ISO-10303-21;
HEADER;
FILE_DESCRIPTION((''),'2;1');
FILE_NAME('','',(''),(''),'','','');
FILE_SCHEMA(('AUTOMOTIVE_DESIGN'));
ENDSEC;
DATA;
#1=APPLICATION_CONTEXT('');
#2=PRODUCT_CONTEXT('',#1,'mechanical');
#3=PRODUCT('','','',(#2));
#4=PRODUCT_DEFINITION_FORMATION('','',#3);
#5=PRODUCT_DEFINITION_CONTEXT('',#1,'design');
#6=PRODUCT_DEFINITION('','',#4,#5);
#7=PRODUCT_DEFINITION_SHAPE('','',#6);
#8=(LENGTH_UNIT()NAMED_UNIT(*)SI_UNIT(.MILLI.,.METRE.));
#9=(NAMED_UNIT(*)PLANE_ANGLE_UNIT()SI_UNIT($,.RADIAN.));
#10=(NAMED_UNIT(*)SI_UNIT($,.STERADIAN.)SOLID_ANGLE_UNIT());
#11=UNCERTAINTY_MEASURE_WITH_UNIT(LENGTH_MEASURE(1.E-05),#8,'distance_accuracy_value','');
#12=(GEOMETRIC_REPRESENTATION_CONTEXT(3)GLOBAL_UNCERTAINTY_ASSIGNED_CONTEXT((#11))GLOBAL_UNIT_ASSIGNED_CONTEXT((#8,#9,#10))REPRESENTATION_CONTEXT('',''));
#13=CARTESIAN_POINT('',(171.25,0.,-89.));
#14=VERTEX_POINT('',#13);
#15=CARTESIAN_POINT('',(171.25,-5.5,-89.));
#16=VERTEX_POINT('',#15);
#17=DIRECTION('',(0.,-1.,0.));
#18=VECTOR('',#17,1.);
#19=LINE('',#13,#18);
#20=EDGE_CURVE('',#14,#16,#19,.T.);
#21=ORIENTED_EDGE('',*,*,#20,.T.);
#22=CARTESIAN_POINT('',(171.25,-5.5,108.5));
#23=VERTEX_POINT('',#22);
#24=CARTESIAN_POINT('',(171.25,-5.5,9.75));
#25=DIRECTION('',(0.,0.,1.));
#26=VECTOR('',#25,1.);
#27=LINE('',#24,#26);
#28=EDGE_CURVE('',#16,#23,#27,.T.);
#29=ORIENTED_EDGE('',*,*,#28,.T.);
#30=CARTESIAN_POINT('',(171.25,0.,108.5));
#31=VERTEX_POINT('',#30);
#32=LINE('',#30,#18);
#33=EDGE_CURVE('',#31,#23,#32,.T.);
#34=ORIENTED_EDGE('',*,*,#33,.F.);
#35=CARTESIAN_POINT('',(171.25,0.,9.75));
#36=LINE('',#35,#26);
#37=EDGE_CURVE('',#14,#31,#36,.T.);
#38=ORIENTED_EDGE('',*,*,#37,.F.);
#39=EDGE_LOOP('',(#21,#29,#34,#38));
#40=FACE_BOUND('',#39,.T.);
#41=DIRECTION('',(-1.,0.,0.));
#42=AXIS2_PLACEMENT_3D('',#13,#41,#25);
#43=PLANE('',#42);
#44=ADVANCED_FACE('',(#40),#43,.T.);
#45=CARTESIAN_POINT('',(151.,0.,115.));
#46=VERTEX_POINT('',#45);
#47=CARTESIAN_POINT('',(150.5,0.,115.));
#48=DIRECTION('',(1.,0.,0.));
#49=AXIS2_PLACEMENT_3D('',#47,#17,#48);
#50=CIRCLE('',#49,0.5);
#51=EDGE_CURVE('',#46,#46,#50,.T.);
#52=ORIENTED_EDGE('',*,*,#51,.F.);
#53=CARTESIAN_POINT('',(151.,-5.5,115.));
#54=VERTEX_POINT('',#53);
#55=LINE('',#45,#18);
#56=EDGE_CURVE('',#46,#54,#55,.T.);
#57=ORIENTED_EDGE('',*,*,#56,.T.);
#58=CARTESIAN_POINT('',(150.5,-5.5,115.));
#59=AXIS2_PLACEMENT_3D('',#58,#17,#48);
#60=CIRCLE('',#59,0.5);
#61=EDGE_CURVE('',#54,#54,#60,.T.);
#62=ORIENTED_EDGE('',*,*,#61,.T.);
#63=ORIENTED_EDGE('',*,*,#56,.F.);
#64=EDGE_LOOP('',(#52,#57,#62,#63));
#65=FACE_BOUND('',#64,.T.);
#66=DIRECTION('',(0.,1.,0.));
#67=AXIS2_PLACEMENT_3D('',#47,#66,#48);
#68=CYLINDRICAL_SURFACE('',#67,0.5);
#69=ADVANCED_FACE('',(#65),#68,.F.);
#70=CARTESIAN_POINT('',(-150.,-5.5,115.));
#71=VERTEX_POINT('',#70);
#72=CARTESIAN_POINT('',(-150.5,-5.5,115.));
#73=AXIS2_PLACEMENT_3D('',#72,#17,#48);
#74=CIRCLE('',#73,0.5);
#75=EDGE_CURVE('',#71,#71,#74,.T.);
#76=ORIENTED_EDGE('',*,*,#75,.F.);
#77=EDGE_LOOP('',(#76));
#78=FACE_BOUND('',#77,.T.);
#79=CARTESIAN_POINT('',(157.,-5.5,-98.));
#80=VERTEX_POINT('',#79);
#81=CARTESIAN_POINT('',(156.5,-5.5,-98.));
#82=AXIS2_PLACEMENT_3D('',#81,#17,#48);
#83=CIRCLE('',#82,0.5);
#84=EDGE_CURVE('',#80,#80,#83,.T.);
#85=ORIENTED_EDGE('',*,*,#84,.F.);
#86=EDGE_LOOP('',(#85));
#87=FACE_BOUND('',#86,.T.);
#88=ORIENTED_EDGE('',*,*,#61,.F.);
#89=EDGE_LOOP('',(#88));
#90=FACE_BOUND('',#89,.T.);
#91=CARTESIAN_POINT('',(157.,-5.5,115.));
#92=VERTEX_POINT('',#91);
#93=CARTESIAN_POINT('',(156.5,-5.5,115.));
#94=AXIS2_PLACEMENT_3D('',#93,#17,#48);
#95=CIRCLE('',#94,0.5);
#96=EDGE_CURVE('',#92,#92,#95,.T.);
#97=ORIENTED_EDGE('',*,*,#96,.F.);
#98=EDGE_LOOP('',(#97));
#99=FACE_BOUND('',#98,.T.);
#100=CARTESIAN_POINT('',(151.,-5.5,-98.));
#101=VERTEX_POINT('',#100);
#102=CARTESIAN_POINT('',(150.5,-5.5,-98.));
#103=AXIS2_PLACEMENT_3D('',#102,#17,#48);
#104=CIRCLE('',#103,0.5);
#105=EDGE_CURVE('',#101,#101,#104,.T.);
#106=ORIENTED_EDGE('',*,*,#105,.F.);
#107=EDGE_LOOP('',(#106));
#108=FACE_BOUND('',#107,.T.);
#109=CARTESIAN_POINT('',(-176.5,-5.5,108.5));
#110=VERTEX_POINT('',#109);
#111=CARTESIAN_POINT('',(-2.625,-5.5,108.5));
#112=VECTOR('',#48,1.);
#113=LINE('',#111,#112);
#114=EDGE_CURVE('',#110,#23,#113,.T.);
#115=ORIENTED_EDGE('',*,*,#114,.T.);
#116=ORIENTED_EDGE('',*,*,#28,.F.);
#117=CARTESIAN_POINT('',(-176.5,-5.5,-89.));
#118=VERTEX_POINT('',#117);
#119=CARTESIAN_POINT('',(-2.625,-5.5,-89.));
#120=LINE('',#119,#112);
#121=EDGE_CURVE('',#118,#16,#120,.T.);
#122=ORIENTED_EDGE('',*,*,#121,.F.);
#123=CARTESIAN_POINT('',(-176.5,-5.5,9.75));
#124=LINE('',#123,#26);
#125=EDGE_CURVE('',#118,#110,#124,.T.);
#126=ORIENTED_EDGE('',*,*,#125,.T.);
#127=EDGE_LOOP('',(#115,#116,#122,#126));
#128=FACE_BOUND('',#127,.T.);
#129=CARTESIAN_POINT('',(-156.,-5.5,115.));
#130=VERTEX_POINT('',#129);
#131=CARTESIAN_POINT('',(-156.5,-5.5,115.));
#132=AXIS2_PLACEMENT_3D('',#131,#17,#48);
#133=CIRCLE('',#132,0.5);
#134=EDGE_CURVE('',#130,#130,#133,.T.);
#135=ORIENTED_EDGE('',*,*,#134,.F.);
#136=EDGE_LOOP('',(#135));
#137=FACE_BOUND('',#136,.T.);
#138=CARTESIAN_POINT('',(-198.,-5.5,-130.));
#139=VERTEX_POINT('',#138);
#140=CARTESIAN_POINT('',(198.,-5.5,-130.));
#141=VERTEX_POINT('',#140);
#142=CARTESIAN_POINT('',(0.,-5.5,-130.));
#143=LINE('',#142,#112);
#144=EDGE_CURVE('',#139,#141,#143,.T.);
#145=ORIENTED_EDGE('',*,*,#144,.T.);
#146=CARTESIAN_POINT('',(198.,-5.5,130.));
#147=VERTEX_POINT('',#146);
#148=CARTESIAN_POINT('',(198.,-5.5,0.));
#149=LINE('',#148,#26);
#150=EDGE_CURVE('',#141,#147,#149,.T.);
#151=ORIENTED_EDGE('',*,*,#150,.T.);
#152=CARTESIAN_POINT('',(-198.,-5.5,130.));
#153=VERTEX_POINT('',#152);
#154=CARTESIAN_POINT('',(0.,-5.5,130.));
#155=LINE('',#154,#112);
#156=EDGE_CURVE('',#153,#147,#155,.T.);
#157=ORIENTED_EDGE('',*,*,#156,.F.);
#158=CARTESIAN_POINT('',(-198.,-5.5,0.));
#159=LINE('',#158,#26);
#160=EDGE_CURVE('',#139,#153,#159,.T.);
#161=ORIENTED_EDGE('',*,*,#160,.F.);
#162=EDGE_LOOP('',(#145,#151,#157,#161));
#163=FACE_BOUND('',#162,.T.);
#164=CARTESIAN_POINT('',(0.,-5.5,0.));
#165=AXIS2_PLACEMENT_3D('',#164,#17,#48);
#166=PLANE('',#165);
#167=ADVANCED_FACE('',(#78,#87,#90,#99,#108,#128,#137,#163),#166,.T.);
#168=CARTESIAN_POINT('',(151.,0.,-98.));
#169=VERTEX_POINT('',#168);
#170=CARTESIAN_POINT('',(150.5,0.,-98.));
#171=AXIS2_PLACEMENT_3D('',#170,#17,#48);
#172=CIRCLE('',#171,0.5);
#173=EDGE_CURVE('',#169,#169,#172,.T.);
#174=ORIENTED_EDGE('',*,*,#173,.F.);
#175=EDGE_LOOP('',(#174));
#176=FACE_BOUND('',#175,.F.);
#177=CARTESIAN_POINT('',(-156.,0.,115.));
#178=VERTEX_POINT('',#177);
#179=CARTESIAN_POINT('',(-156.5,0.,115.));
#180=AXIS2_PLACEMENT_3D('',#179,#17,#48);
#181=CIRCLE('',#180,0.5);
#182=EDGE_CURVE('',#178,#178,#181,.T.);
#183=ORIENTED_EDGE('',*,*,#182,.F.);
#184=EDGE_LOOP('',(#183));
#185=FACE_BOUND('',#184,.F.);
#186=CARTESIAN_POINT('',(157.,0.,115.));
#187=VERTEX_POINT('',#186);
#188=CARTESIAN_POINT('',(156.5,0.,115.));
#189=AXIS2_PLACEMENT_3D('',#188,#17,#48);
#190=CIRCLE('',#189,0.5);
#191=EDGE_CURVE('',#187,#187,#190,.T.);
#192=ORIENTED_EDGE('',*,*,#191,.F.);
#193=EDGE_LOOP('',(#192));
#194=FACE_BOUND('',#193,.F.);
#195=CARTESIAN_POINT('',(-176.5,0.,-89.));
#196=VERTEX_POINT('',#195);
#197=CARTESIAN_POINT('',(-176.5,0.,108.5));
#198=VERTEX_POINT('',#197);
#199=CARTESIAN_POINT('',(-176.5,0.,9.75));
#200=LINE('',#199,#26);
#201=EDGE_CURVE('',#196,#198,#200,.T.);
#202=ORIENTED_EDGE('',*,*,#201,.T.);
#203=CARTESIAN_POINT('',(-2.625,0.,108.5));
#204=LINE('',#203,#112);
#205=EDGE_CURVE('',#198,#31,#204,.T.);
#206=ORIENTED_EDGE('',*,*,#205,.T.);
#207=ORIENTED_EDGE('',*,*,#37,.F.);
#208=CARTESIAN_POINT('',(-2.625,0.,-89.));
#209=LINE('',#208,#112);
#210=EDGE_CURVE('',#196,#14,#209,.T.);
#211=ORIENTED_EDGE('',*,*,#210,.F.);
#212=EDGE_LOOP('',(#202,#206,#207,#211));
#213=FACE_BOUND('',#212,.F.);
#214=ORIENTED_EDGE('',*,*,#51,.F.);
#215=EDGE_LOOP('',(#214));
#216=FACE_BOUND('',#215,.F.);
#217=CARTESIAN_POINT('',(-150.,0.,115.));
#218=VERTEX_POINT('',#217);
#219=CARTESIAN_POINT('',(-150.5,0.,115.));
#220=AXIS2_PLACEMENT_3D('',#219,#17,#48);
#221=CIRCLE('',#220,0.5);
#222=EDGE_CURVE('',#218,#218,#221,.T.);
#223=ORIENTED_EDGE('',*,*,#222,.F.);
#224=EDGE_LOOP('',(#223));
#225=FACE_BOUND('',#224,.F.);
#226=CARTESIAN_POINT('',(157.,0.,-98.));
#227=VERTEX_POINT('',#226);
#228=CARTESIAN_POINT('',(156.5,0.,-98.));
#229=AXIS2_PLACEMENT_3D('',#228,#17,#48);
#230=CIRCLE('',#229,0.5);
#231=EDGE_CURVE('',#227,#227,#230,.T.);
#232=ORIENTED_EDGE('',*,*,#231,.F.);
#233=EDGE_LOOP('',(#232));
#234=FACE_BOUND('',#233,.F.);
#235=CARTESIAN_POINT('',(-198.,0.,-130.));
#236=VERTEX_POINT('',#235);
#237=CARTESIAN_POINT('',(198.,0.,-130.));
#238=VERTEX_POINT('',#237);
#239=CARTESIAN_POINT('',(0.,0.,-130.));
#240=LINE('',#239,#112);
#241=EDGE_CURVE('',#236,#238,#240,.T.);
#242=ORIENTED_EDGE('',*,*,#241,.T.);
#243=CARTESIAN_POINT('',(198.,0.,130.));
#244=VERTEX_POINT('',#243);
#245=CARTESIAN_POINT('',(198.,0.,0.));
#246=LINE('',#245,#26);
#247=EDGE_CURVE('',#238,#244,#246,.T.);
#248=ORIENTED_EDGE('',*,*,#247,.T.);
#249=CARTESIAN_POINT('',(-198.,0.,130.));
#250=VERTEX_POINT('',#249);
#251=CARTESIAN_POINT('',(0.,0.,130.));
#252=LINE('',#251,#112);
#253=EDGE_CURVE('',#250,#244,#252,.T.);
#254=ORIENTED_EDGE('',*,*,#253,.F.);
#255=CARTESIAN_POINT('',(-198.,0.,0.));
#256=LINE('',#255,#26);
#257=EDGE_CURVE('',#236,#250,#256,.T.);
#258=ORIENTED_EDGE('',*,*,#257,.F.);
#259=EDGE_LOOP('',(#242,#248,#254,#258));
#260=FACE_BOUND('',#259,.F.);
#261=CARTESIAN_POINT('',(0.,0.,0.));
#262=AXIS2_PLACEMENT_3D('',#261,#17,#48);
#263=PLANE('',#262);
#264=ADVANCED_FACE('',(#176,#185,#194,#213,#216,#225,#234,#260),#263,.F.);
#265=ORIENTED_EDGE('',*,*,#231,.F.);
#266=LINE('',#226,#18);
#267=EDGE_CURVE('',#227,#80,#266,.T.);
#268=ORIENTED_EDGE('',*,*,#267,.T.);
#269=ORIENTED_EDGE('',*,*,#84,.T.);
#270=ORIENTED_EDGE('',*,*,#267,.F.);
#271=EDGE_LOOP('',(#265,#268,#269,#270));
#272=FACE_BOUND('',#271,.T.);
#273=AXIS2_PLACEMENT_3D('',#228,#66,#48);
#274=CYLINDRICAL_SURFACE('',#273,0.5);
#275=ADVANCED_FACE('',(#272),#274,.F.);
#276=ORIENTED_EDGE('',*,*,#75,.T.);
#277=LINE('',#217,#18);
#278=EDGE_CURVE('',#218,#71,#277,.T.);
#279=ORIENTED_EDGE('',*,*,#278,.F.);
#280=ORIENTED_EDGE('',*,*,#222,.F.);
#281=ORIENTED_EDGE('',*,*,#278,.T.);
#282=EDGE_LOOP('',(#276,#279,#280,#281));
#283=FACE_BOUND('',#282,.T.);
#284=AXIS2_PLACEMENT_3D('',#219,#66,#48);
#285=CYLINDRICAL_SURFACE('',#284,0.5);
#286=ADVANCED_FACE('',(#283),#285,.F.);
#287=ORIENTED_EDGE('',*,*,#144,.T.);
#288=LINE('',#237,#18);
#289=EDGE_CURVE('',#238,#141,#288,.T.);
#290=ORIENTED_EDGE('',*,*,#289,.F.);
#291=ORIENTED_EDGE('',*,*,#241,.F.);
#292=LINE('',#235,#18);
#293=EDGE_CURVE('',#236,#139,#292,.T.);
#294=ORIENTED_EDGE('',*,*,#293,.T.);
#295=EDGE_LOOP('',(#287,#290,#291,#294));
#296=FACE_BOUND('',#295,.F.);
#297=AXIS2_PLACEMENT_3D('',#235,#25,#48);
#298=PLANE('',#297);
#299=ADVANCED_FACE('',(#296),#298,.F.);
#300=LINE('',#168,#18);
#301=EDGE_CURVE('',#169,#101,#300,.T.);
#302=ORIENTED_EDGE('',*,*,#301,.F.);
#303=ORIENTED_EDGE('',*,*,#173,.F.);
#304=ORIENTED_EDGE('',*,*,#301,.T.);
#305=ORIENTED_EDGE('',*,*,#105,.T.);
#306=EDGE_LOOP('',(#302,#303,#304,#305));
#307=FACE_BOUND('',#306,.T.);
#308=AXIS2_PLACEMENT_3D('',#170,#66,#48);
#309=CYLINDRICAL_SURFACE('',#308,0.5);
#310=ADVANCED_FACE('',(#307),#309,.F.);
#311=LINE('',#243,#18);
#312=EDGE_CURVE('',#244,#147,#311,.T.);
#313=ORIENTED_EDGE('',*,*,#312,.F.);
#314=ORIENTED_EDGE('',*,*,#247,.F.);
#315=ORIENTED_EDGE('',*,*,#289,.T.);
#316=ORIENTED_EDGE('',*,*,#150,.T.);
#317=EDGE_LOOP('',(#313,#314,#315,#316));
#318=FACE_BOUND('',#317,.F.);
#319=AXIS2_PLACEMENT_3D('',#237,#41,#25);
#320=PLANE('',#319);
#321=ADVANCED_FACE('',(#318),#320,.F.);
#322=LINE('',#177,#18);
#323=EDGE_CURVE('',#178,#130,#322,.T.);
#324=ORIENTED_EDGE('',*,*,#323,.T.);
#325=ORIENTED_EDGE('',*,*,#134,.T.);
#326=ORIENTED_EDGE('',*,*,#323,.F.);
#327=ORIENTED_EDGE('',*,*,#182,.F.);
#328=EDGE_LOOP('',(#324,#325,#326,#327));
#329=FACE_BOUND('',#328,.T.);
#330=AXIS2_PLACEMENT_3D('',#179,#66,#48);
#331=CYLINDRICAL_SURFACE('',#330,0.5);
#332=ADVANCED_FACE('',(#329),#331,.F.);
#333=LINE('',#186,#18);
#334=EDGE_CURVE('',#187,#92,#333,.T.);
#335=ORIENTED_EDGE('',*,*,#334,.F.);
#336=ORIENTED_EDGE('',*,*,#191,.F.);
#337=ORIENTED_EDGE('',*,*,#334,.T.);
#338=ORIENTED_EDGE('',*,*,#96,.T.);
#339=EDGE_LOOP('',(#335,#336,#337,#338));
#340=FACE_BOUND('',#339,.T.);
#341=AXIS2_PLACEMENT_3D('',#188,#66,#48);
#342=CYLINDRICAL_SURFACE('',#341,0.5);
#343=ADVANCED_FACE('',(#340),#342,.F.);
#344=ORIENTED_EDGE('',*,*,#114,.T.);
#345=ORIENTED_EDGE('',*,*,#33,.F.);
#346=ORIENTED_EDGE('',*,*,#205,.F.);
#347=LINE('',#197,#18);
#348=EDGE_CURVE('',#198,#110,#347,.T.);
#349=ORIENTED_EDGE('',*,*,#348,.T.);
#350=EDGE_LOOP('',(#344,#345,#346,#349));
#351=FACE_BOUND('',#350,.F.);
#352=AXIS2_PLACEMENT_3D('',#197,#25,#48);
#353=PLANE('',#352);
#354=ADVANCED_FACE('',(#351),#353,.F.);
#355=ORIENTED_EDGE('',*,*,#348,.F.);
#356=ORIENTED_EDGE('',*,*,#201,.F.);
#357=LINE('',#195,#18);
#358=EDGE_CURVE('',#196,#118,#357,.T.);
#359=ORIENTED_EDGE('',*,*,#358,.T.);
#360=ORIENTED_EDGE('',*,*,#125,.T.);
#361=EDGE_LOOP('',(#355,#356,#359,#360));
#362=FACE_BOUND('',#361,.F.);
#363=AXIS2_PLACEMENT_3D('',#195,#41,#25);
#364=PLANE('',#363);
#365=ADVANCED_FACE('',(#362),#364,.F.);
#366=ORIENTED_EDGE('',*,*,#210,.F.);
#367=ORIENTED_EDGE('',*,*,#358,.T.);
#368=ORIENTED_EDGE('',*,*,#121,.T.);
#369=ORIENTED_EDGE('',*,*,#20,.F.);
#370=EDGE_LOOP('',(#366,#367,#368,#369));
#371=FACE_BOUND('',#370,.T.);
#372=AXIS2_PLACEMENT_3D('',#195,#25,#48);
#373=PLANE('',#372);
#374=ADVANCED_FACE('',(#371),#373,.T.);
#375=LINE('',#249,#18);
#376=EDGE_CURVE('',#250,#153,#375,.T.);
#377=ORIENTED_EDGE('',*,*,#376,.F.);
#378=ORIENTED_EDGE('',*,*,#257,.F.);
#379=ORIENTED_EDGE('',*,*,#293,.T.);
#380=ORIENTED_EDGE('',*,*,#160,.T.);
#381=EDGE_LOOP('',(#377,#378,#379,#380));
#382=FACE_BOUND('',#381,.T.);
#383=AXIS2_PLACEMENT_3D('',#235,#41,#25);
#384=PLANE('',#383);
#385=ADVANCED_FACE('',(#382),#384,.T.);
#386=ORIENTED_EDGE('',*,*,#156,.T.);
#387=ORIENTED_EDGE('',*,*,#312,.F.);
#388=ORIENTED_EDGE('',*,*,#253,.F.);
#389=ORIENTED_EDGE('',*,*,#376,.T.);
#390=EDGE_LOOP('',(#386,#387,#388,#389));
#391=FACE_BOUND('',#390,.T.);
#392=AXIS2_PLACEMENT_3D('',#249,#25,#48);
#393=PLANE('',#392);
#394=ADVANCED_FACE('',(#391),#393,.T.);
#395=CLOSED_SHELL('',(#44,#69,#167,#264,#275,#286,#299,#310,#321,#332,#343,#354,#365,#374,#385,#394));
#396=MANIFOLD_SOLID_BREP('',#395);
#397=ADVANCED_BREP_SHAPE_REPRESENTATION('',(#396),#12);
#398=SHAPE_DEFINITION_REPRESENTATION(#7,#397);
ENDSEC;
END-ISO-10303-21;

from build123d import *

# Parameters (mm, degrees)
F0_W     = 396
F0_H     = 260
F0_R     = 0.5
F0_W_2   = 347.75
F0_H_2   = 197.5
F1_DEPTH = 5.5


with BuildPart() as f1:
    # F0 (on Front) → F1 (new body)
    with BuildSketch(Plane.XZ):
        Rectangle(F0_W, F0_H)
        with Locations((150.5, -98)):
            Circle(F0_R, mode=Mode.SUBTRACT)
        with Locations((156.5, -98)):
            Circle(F0_R, mode=Mode.SUBTRACT)
        with Locations((-2.625, 9.75)):
            Rectangle(F0_W_2, F0_H_2, mode=Mode.SUBTRACT)
        with Locations((-156.5, 115)):
            Circle(F0_R, mode=Mode.SUBTRACT)
        with Locations((-150.5, 115)):
            Circle(F0_R, mode=Mode.SUBTRACT)
        with Locations((150.5, 115)):
            Circle(F0_R, mode=Mode.SUBTRACT)
        with Locations((156.5, 115)):
            Circle(F0_R, mode=Mode.SUBTRACT)
    extrude(amount=F1_DEPTH)


solid = f1.part
